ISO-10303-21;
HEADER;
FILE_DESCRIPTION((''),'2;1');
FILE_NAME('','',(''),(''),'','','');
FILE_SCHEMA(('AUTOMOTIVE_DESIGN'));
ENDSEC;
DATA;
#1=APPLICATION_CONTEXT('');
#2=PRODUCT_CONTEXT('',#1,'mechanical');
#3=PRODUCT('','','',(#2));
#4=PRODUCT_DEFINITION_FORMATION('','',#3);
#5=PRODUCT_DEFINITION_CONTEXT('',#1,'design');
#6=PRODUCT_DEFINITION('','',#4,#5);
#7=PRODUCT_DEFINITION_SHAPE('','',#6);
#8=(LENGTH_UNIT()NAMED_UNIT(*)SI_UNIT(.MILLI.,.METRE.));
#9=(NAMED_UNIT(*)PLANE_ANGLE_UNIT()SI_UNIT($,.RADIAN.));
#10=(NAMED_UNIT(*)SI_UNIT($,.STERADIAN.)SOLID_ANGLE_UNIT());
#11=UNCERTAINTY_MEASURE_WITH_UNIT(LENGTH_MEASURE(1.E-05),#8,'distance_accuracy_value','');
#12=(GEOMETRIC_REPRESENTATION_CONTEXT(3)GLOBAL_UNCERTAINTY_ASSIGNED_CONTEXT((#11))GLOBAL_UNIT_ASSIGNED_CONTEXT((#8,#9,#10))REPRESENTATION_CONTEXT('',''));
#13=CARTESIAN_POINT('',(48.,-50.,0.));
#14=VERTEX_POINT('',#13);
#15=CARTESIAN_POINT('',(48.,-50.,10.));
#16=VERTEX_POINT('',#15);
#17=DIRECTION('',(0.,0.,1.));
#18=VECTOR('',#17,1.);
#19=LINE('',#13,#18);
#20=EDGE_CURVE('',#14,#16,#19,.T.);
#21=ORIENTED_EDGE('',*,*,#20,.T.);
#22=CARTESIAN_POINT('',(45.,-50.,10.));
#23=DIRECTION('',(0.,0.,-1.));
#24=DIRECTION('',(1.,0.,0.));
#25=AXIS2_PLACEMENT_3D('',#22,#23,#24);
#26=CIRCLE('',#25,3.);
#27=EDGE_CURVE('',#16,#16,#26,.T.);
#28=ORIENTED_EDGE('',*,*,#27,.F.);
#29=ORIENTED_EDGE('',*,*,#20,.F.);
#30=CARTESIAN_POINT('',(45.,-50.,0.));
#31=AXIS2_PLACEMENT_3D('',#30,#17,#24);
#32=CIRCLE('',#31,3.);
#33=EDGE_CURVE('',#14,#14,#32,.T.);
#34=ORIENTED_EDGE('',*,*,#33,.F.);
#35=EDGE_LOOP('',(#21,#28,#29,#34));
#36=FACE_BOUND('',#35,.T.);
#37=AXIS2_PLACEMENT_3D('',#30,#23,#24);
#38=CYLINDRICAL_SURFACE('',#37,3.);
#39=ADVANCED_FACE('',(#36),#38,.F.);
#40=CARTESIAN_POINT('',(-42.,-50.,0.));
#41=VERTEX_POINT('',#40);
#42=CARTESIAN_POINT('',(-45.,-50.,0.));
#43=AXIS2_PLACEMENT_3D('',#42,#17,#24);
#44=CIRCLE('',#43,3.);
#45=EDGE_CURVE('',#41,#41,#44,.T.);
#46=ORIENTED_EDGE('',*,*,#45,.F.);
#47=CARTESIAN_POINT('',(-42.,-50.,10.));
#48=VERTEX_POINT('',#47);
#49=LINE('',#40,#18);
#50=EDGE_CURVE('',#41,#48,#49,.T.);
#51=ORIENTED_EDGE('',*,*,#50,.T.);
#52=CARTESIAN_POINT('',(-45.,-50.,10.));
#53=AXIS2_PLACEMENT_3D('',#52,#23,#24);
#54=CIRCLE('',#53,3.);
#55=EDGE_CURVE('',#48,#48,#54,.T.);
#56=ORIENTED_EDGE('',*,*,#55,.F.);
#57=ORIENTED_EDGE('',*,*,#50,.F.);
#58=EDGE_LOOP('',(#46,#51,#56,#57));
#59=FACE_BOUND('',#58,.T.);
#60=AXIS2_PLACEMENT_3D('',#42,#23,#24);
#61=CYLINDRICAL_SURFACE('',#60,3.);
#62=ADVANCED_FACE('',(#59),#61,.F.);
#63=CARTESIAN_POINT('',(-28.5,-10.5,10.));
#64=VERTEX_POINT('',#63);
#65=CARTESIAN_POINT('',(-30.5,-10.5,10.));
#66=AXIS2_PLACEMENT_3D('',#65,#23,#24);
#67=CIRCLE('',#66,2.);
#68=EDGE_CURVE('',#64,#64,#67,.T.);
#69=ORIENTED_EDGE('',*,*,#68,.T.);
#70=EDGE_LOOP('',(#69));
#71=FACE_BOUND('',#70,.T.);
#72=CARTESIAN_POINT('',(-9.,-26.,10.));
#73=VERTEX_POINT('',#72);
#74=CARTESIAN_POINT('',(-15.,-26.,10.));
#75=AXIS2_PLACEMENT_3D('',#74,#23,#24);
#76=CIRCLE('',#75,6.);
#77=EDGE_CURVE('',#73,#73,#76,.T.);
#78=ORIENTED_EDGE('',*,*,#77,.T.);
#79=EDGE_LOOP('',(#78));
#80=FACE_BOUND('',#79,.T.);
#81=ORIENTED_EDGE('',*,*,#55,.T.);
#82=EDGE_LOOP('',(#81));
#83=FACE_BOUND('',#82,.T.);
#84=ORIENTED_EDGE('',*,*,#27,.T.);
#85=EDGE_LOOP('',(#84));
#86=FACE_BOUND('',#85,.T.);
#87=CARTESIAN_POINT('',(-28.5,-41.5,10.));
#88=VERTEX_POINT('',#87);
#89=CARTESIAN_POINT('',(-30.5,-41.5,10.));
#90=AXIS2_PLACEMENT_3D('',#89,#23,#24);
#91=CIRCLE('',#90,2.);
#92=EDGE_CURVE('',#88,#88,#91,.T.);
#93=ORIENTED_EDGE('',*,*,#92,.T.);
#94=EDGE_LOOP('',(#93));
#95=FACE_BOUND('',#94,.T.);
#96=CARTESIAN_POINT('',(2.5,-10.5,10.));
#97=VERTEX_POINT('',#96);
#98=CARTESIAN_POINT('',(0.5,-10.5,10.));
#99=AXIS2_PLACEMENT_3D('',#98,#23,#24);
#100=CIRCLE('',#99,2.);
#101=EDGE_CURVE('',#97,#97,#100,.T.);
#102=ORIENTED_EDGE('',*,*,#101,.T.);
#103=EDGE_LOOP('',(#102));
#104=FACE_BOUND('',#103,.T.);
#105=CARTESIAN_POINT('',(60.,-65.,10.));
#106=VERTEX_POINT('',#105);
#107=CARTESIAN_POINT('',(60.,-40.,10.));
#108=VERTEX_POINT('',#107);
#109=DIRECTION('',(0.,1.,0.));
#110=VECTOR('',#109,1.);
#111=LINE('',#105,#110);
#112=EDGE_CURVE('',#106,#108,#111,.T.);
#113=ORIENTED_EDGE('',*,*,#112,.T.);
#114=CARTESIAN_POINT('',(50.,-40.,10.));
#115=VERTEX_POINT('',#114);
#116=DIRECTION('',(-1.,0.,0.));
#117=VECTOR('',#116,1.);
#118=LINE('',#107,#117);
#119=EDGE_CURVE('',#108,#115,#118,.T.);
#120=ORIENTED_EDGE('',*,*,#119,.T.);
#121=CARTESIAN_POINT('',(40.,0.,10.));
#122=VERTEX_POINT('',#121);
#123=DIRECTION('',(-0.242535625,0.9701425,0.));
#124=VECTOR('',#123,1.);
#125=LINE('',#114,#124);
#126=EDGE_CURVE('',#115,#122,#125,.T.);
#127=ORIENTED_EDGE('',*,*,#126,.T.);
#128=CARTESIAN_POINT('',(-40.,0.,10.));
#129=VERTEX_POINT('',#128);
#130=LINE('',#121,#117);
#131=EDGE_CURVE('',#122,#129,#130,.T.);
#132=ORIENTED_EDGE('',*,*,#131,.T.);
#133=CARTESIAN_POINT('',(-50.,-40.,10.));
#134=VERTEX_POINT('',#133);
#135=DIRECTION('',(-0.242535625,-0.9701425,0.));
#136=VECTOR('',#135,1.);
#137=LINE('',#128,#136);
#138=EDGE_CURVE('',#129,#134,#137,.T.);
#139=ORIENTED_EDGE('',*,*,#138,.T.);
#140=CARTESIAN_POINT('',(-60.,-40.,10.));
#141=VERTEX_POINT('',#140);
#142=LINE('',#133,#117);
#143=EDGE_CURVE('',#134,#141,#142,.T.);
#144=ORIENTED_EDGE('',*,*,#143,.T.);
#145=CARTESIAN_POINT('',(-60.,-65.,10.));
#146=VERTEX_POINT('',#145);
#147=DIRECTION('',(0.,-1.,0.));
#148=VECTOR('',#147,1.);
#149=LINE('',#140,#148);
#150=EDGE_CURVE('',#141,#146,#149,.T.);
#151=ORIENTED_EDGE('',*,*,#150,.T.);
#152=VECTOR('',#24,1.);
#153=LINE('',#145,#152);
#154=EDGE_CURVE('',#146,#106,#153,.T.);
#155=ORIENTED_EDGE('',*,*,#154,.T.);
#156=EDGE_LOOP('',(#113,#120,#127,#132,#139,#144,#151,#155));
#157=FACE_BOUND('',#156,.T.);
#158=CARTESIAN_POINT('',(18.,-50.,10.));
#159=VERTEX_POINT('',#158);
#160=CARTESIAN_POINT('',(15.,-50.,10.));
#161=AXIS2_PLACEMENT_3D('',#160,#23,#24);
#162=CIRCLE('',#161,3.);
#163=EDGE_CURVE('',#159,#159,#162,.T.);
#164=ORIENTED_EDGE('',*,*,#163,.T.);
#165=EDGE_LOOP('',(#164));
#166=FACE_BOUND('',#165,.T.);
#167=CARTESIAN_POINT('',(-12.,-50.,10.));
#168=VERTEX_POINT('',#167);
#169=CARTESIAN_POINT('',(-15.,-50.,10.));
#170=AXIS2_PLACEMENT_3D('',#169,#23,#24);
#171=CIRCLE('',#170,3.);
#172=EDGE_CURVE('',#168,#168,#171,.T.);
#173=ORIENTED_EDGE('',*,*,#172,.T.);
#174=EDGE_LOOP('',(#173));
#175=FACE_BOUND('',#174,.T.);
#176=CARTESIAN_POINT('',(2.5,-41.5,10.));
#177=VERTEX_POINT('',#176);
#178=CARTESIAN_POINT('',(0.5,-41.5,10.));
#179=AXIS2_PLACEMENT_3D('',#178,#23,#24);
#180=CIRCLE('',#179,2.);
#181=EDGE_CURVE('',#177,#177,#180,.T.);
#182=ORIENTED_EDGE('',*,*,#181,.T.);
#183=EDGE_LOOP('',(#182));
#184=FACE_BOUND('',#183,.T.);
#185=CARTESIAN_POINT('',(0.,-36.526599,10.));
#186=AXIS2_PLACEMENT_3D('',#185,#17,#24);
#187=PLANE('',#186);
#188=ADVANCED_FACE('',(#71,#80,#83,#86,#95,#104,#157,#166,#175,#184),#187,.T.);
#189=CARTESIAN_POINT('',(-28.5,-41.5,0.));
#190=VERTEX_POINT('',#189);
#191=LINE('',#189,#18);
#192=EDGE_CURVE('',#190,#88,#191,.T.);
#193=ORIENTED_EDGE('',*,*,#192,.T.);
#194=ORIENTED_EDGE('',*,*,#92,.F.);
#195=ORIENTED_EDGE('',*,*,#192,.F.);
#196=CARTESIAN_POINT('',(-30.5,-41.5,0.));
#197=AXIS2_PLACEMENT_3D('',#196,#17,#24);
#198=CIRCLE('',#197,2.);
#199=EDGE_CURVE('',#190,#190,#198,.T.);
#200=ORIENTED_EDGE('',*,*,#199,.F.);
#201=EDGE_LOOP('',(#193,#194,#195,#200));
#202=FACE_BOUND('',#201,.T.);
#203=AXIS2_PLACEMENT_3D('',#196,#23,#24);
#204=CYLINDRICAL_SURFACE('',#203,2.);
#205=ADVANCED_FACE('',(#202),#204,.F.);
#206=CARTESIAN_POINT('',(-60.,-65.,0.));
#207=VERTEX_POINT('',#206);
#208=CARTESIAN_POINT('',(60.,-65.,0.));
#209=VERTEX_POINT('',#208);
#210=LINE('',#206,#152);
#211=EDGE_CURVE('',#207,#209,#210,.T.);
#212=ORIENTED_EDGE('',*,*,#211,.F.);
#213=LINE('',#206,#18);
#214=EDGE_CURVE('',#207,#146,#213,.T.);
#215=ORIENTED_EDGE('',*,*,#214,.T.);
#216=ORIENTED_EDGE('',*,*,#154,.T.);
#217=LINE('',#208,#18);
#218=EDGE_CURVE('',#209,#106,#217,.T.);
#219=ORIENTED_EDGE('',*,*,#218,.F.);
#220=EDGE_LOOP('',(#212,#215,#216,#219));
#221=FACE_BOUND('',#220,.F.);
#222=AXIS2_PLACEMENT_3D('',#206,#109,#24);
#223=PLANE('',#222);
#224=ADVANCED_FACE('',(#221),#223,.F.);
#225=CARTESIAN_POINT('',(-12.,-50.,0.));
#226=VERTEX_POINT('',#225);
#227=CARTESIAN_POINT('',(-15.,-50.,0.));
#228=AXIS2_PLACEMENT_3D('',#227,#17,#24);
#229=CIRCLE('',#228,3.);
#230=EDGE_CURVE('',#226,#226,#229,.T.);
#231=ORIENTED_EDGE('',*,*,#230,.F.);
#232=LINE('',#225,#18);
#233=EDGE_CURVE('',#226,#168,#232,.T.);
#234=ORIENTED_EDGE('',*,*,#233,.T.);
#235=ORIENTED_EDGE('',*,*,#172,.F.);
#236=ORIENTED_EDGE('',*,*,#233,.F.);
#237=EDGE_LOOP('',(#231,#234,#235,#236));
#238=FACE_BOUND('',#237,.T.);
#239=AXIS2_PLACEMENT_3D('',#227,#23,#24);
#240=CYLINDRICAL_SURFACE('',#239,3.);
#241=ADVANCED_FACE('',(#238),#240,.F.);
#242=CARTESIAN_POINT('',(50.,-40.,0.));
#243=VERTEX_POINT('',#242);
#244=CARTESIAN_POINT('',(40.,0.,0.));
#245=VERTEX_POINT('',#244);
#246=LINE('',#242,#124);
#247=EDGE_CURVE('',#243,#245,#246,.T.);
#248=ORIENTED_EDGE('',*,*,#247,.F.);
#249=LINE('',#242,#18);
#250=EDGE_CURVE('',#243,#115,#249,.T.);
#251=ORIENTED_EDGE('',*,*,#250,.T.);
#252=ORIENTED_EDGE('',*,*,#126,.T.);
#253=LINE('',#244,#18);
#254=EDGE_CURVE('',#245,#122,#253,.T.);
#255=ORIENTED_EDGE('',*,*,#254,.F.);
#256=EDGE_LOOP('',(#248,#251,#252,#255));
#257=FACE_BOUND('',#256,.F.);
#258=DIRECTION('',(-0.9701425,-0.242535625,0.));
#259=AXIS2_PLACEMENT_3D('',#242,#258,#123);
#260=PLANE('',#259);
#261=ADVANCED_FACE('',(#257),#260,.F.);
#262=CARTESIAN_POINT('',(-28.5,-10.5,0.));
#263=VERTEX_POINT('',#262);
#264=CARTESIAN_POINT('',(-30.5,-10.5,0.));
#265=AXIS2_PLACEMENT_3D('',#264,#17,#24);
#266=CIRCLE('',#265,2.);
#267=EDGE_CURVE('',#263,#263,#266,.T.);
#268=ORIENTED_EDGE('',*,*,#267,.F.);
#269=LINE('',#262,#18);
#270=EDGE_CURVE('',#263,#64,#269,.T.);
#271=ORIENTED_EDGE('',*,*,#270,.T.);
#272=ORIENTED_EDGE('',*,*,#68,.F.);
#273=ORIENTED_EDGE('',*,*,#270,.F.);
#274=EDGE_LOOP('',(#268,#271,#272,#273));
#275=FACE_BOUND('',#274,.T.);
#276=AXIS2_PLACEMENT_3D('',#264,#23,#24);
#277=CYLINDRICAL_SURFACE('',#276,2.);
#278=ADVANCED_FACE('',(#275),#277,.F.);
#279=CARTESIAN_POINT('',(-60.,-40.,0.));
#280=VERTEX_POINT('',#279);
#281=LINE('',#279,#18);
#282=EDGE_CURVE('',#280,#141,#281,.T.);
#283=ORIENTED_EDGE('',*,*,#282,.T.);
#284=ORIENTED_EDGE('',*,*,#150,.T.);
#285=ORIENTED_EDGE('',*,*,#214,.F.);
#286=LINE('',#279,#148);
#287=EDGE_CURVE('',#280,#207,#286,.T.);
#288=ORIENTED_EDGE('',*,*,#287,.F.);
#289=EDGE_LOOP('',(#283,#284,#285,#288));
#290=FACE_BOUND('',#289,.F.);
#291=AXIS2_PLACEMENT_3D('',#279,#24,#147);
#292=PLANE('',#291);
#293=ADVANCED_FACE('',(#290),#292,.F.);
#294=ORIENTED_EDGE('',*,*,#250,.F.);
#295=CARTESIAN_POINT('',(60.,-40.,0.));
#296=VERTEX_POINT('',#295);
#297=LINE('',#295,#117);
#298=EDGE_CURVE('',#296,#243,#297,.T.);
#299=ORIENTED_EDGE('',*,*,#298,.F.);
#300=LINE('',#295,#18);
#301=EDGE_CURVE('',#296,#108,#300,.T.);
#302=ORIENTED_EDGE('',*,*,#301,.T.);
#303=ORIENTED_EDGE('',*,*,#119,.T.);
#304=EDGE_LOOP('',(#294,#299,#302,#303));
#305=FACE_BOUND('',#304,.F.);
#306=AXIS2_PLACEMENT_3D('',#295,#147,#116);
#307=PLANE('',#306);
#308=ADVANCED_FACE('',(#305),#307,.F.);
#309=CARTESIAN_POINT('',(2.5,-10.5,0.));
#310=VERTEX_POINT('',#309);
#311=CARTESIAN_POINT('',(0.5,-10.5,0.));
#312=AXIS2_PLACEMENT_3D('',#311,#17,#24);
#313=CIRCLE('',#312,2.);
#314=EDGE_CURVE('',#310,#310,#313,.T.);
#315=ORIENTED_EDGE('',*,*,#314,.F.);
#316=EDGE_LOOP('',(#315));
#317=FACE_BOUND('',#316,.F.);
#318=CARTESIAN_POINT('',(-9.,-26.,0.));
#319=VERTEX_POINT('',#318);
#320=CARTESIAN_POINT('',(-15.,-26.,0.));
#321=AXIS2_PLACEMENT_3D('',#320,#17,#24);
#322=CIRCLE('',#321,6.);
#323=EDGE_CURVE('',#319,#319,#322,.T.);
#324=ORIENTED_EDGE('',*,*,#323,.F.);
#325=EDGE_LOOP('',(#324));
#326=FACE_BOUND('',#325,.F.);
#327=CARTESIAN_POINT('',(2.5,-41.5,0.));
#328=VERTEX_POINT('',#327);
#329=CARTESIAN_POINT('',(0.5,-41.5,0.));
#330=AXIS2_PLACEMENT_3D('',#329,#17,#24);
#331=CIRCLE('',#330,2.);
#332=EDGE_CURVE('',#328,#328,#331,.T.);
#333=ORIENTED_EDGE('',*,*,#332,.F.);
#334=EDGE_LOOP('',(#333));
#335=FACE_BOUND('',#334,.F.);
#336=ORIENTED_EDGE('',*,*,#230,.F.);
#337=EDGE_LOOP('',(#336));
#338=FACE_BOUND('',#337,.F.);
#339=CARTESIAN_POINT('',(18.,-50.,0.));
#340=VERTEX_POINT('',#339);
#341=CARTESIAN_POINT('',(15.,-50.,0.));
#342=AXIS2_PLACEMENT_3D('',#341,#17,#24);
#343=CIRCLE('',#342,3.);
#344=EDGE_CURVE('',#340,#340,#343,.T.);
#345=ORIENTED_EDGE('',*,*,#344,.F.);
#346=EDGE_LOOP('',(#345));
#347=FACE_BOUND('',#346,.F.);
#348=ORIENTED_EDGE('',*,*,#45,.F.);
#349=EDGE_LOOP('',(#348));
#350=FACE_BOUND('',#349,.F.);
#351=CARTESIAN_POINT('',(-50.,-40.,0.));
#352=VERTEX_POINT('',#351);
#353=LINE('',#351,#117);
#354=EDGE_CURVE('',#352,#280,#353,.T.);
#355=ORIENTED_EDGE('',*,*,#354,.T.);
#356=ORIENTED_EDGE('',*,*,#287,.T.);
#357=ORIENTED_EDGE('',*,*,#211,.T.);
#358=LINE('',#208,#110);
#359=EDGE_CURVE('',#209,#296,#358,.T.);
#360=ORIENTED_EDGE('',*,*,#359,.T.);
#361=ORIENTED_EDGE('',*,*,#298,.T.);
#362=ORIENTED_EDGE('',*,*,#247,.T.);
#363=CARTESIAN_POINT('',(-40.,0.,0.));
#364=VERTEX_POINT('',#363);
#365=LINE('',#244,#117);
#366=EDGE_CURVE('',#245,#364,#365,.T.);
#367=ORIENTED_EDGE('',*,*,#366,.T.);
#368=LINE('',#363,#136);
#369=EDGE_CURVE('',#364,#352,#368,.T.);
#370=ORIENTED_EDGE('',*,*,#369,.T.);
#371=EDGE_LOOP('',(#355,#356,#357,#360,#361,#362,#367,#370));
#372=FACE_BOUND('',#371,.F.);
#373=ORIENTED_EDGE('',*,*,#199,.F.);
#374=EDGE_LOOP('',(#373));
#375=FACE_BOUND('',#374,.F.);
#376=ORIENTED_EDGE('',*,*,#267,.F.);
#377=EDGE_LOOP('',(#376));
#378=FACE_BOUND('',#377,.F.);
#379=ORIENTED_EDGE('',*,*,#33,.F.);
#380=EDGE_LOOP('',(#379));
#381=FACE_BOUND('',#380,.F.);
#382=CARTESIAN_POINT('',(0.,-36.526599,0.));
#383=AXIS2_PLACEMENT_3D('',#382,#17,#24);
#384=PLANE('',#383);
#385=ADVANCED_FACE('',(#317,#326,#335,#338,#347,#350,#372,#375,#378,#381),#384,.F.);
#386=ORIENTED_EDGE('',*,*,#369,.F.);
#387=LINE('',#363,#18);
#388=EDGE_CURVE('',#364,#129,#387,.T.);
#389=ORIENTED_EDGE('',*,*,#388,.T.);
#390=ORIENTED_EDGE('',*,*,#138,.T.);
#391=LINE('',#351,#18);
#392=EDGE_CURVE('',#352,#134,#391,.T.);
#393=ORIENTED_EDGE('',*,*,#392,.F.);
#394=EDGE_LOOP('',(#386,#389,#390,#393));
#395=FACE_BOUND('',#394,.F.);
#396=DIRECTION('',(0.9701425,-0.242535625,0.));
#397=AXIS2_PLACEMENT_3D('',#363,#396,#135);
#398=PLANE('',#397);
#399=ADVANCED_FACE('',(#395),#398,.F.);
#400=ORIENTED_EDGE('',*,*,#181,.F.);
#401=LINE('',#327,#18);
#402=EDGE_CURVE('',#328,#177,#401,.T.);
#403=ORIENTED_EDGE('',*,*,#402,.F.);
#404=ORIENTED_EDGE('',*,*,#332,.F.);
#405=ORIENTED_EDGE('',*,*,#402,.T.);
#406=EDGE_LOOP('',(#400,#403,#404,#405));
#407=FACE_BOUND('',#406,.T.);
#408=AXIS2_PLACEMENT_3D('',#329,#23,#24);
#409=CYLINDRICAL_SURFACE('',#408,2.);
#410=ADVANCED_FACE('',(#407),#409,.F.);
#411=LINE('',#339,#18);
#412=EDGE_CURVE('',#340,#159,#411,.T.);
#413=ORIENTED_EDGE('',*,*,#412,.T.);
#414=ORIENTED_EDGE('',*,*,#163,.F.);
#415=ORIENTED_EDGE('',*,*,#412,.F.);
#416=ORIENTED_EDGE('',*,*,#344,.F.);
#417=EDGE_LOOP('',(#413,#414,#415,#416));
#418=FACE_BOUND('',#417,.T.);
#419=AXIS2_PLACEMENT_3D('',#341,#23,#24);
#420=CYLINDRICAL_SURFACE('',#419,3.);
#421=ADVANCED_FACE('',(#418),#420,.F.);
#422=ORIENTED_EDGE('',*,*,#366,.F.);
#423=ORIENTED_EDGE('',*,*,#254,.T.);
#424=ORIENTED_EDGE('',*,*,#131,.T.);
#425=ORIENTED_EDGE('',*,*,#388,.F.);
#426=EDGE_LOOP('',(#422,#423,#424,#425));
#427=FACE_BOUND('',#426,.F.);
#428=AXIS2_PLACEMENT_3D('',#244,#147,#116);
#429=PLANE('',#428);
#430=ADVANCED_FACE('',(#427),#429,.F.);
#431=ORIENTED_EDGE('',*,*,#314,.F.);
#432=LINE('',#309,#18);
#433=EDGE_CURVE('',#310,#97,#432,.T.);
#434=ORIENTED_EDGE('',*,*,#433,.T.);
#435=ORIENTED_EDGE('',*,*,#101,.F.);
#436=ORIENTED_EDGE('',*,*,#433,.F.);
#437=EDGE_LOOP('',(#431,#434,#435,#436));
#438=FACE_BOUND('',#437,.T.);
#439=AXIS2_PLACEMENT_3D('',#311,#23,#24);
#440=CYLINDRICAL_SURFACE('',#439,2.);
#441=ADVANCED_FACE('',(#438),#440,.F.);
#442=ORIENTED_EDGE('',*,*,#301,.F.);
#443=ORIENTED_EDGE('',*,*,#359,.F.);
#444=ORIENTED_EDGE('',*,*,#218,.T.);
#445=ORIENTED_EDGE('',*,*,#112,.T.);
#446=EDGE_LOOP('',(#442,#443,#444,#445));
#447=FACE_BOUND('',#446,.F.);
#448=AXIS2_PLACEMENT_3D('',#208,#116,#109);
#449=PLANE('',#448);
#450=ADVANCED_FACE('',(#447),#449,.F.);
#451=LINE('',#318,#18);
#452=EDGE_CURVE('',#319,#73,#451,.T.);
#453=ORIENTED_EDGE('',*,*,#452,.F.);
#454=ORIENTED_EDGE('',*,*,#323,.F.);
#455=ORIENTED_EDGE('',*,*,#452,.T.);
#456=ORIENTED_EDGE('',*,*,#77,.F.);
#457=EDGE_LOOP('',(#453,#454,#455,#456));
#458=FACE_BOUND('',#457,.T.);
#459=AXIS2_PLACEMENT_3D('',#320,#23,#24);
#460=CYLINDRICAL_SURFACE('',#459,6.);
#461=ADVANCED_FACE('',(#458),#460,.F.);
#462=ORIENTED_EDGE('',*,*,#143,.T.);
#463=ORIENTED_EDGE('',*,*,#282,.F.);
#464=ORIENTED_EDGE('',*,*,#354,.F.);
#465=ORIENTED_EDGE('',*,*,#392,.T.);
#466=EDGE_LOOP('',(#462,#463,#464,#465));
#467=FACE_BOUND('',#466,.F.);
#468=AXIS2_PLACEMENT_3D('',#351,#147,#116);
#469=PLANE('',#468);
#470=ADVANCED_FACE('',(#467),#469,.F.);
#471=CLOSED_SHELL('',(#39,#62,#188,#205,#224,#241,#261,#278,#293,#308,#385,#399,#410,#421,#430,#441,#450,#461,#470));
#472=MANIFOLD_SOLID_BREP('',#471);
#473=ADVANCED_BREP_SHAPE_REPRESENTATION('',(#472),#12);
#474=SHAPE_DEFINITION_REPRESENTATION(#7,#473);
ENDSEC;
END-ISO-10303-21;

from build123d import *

# Parameters (mm, degrees)
F1_DEPTH = 10
F2_R     = 6
F2_R_2   = 2
F3_DEPTH = 25
F4_R     = 3
F5_DEPTH = 24.5


with BuildPart() as f1:
    # F0 (on Top) → F1 (new body)
    with BuildSketch(Plane.XY):
        Polygon((-60, -40), (-60, -65), (60, -65), (60, -40), (50, -40), (40, 0), (-40, 0), (-50, -40), align=None)
    extrude(amount=F1_DEPTH)

    # F2 (on Top) → F3 (cut)
    with BuildSketch(Plane.XY):
        with Locations((-15, -26)):
            Circle(F2_R)
        with Locations((-30.5, -10.5)):
            Circle(F2_R_2)
        with Locations((0.5, -10.5)):
            Circle(F2_R_2)
        with Locations((-30.5, -41.5)):
            Circle(F2_R_2)
        with Locations((0.5, -41.5)):
            Circle(F2_R_2)
    extrude(amount=F3_DEPTH, mode=Mode.SUBTRACT)

    # F4 (on Top) → F5 (cut)
    with BuildSketch(Plane.XY):
        with Locations((-45, -50)):
            Circle(F4_R)
        with Locations((-15, -50)):
            Circle(F4_R)
        with Locations((45, -50)):
            Circle(F4_R)
        with Locations((15, -50)):
            Circle(F4_R)
    extrude(amount=F5_DEPTH, mode=Mode.SUBTRACT)


solid = f1.part
